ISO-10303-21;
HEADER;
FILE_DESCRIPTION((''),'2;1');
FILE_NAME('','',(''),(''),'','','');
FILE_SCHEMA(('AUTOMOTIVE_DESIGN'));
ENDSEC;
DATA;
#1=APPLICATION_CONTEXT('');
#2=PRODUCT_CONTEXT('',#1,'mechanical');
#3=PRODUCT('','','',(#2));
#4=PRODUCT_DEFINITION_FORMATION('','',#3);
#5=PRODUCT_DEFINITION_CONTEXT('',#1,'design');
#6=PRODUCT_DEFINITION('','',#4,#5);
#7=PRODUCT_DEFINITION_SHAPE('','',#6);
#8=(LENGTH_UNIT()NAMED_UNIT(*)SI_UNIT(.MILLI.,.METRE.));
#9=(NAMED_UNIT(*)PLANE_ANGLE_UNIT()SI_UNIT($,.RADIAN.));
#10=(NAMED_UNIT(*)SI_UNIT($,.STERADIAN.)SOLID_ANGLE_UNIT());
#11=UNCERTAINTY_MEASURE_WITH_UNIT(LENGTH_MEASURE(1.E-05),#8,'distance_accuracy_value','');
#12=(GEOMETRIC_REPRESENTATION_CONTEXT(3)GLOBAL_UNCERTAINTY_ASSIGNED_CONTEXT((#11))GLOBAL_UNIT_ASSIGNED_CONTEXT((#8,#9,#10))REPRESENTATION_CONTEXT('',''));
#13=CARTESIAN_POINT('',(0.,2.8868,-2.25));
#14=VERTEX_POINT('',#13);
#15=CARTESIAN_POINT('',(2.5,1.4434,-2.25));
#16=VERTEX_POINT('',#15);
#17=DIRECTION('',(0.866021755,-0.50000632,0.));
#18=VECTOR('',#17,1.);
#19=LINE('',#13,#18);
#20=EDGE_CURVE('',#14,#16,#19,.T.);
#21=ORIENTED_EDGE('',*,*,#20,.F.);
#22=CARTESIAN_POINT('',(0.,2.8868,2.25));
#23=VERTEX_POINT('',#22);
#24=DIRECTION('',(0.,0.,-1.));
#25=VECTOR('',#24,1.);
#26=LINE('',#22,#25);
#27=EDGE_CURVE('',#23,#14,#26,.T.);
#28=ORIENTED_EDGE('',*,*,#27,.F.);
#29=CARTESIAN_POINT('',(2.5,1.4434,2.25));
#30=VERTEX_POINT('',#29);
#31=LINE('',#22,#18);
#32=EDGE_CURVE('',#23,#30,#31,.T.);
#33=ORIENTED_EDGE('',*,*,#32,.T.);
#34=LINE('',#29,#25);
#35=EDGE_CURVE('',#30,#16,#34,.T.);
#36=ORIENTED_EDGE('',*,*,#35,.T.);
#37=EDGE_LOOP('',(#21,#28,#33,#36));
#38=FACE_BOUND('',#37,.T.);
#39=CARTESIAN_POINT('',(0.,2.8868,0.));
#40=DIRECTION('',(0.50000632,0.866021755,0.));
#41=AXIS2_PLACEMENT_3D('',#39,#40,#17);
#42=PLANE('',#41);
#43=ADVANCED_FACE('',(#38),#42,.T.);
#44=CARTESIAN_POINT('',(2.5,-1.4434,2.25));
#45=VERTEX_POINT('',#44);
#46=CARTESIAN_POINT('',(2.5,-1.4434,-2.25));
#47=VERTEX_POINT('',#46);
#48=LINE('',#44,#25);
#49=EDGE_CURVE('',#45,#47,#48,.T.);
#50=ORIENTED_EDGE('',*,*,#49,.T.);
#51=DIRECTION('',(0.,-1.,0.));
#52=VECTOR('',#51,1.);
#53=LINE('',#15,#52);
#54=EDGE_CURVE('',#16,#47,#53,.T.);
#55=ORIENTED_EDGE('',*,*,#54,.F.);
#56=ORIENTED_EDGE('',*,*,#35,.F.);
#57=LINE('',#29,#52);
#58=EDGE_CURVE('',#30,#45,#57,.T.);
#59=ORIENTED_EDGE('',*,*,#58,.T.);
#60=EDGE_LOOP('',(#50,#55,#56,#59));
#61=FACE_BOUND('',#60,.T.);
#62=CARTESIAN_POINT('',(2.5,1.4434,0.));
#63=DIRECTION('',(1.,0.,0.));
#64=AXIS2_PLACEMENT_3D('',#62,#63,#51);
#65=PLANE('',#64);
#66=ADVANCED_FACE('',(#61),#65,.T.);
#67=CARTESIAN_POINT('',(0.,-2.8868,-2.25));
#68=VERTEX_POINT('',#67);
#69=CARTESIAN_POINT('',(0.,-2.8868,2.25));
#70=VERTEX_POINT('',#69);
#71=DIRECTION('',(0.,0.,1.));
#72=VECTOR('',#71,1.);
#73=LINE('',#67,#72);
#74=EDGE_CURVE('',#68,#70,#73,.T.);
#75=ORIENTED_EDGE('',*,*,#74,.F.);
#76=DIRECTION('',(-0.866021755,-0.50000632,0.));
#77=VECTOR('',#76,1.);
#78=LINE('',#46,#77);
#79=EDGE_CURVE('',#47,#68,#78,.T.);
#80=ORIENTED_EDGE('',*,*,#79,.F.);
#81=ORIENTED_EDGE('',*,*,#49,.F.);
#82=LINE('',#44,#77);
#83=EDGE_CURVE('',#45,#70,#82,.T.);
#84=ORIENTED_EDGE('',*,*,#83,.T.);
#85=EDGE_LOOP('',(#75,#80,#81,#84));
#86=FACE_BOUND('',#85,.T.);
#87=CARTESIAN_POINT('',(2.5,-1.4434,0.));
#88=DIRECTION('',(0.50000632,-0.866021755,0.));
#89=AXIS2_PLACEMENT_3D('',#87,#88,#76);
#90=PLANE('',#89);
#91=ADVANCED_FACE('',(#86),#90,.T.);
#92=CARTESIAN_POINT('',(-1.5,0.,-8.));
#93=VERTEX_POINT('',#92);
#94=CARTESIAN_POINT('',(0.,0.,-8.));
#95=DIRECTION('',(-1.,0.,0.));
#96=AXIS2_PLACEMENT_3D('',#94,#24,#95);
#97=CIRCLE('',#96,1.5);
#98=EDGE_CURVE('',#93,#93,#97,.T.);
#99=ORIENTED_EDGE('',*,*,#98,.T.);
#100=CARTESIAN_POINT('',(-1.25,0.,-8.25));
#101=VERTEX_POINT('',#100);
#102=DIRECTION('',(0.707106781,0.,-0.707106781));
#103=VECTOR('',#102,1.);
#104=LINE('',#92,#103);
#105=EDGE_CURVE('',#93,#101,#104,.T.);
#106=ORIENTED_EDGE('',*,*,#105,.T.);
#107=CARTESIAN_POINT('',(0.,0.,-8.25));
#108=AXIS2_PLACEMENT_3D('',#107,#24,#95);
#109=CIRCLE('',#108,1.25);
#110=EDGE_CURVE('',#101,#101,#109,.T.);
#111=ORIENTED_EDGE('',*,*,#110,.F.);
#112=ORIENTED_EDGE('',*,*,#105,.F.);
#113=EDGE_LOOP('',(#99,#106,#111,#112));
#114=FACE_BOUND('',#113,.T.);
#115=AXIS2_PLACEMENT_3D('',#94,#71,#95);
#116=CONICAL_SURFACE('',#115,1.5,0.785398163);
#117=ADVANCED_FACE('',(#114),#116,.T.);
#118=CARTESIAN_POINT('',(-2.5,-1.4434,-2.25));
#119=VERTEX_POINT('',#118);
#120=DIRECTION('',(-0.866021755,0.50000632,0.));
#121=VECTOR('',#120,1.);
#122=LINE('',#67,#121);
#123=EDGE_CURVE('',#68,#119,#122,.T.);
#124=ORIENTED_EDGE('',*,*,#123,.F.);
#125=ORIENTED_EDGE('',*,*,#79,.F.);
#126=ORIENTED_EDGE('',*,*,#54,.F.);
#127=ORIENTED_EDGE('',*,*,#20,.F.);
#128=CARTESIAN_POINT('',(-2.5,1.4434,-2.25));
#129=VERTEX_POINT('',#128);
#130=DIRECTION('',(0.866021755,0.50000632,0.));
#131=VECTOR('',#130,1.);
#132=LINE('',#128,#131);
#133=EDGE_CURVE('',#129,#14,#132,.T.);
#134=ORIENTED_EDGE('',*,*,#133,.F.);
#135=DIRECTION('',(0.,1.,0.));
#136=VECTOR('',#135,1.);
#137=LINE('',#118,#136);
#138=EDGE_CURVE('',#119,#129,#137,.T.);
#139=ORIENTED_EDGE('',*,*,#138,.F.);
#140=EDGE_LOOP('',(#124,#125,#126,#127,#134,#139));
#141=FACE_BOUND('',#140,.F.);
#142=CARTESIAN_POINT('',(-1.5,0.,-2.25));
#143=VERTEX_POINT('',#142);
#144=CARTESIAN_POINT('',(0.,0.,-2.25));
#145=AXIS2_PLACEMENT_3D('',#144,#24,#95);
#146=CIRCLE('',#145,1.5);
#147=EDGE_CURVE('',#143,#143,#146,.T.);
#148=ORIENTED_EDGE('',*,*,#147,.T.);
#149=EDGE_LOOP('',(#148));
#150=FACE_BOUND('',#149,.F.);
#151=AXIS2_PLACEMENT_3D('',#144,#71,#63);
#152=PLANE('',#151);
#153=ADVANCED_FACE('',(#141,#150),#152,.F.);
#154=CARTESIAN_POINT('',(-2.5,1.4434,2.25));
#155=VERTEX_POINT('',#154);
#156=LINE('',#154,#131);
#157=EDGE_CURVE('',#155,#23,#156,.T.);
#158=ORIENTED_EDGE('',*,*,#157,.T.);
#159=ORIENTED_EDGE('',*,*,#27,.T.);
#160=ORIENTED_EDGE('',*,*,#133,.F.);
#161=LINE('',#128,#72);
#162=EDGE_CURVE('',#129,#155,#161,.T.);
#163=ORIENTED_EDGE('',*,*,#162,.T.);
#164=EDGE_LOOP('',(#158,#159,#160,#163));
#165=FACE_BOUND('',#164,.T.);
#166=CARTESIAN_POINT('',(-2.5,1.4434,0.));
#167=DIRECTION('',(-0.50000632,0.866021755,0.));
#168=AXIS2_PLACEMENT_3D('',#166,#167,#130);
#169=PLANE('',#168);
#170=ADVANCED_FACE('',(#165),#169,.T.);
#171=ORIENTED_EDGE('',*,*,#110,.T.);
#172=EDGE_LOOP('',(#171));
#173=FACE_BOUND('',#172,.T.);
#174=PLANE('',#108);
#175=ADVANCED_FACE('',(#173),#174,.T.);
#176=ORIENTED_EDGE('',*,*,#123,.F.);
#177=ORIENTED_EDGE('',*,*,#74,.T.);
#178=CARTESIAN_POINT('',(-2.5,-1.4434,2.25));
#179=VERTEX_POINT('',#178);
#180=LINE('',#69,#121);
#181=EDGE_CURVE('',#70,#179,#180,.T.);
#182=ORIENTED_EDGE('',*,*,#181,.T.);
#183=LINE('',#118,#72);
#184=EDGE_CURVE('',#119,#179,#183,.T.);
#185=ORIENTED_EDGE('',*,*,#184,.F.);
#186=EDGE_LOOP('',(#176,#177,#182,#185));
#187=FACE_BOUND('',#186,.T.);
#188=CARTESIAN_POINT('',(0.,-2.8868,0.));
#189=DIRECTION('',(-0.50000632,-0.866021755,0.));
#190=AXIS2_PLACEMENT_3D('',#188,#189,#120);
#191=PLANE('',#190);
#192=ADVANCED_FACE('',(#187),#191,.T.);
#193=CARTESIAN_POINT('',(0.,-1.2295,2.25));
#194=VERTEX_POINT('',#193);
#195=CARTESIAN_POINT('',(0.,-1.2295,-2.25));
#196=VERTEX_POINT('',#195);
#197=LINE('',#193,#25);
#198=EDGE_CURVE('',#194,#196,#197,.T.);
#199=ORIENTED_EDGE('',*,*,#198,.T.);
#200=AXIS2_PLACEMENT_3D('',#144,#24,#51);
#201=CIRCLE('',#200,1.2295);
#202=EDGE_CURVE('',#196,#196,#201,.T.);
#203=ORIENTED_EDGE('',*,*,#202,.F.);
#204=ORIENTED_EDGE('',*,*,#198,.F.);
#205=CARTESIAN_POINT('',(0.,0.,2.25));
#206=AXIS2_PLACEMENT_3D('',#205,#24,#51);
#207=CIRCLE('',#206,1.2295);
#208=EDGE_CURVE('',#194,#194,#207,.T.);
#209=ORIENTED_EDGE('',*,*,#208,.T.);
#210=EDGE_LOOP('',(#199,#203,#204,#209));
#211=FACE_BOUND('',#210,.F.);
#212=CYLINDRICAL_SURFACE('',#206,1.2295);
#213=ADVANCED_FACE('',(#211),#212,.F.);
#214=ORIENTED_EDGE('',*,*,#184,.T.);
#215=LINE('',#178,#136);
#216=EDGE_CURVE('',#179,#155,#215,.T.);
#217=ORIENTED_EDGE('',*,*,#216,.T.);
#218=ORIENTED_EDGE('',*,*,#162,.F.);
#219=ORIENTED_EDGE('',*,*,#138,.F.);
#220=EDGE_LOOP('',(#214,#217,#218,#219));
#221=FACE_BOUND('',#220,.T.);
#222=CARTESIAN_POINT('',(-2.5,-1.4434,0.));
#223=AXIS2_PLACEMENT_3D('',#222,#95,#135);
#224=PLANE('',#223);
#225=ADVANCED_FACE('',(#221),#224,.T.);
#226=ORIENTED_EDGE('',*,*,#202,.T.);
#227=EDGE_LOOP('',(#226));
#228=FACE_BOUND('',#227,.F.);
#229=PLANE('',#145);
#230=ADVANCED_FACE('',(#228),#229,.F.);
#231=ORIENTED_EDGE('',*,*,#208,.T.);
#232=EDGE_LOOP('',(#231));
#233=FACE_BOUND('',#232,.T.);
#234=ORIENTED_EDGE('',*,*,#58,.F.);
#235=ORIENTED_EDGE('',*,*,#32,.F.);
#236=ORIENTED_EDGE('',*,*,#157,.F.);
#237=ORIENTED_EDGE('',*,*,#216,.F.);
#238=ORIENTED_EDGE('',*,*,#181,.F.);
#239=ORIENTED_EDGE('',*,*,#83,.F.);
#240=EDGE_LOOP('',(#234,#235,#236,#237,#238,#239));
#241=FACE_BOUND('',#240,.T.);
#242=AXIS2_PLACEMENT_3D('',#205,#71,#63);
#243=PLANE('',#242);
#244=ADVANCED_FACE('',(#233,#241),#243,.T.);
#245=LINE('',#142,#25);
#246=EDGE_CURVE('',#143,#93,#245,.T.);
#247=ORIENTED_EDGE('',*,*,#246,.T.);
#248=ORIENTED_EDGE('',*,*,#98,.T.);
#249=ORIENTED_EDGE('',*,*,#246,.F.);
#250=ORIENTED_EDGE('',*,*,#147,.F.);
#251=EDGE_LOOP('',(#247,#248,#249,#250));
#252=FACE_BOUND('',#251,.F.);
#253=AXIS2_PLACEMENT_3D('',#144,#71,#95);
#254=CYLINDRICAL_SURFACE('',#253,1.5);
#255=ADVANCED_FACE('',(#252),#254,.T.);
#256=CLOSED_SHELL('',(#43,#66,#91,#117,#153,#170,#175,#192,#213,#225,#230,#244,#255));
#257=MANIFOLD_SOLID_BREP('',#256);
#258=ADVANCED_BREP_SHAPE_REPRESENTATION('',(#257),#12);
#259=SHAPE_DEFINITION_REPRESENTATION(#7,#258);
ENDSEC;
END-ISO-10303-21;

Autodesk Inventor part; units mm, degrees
ref_plane "YZ Plane" through (0, 0, 0) normal (1, 0, 0) x (0, 1, 0)
ref_plane "XZ Plane" through (0, 0, 0) normal (0, 1, 0) x (-1, 0, 0)
ref_plane "XY Plane" through (0, 0, 0) normal (0, 0, 1) x (1, 0, 0)
sketch "Skizze1" plane through (0, 0, 0) normal (0, 0, 1) x (1, 0, 0)
  line L0 (-2.5, 1.4434) -> (0, 2.8868)
  line L1 (0, 2.8868) -> (2.5, 1.4434)
  line L2 (2.5, 1.4434) -> (2.5, -1.4434)
  line L3 (2.5, -1.4434) -> (0, -2.8868)
  line L4 (0, -2.8868) -> (-2.5, -1.4434)
  line L5 (-2.5, -1.4434) -> (-2.5, 1.4434)
  point P0 (0, 0)
  point P1 (0, 0)
  point P2 (0, 0)
  dimension "d2" = 5
extrude "Extrusion1" add sketch "Skizze1" along normal mid plane 4.5
sketch "Skizze3" plane through (0, 0, 2.25) normal (0, 0, 1) x (1, 0, 0)
  point P0 (0, 0)
  point P1 (0, 0)
hole "Bohrung1" at (0, 0, 2.25) direction (0, 0, -1) diameter 2.459 depth 8.8 tip angle 118 thread size "M3x0.5" class "6H" standard "ISO Metric profile"
sketch "Skizze4" plane through (0, 0, -2.25) normal (0, 0, -1) x (-1, 0, 0)
  circle A0 centre (0, 0) radius 1.5
  dimension "d17" = 3
extrude "Extrusion3" add sketch "Skizze4" along normal blind 6
thread "Gewinde2" size "M3x0.5" class "6g" standard "ISO Metric profile" full length
chamfer "Fase1" distance 0.25 angle 45 1 edges at (1.5, 0, -8.25)
properties part number "standoff (1466814)"
